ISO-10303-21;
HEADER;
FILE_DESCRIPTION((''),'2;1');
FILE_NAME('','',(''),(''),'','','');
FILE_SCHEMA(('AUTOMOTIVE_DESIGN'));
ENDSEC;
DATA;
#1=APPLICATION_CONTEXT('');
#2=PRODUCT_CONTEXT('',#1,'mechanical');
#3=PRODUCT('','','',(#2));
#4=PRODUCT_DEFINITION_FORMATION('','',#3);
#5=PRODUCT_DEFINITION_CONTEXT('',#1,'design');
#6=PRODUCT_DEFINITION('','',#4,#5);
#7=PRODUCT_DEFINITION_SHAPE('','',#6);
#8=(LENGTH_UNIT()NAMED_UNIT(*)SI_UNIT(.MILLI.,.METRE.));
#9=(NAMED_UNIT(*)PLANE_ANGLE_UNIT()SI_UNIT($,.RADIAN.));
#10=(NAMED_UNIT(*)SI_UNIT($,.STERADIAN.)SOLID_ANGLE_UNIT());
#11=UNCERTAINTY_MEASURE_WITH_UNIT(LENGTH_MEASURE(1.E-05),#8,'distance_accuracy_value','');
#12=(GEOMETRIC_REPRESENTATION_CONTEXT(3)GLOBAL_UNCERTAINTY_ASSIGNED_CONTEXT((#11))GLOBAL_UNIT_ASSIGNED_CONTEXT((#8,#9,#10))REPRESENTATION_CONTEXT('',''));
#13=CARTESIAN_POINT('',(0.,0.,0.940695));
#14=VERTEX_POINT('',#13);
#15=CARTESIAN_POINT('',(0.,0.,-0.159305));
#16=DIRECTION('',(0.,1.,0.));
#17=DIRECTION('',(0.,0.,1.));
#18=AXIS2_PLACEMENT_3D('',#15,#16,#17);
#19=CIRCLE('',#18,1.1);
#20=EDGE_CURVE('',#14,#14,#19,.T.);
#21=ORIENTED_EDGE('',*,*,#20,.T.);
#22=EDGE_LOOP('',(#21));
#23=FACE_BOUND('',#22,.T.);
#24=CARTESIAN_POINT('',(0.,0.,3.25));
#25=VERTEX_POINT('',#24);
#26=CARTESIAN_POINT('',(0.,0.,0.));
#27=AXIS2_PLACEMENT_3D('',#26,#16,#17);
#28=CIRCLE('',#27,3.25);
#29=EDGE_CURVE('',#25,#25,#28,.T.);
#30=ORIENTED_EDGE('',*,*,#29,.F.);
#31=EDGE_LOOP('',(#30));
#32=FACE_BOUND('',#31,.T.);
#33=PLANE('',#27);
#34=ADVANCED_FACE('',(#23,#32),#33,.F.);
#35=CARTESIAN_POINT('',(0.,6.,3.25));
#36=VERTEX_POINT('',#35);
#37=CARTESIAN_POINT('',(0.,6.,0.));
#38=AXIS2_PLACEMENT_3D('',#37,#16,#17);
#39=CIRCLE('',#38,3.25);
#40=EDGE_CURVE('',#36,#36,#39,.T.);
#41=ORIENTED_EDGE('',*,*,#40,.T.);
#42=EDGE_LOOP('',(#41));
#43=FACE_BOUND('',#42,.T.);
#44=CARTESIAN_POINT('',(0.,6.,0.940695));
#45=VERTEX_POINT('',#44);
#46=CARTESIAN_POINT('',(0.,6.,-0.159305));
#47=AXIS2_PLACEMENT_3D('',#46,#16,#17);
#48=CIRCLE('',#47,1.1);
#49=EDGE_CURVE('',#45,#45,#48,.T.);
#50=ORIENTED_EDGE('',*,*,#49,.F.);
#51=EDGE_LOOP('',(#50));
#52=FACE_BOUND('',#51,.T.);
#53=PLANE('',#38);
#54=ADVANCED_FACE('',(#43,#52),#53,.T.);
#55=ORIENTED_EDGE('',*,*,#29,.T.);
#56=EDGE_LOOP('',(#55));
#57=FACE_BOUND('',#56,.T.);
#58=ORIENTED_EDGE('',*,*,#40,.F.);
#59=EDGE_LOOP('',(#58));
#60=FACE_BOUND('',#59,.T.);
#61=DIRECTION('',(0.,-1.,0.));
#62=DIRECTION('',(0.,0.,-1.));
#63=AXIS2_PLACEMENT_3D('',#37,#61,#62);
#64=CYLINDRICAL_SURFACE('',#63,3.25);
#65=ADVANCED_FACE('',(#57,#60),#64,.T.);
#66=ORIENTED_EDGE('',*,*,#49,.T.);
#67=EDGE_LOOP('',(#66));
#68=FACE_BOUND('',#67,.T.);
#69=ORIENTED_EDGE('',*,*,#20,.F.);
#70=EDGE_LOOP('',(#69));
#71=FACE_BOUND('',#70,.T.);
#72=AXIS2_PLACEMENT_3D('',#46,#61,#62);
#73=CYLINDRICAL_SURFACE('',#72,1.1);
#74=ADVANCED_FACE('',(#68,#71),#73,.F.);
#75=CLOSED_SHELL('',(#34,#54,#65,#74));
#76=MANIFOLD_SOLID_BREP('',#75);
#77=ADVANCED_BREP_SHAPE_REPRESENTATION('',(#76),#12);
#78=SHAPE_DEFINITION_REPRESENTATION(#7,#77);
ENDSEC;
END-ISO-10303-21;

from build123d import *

# Parameters (mm, degrees)
ESQUISSE1_R        = 3.25
ESQUISSE1_R_2      = 1.1
BOSS_EXTRU_1_DEPTH = 6


with BuildPart() as part:
    # Esquisse1 → Boss.-Extru.1 (new body)
    with BuildSketch(Plane(origin=(0, 0, 0), x_dir=(1, 0, 0), z_dir=(0, 1, 0))):
        Circle(ESQUISSE1_R)
        with Locations((0, 0.159304864)):
            Circle(ESQUISSE1_R_2, mode=Mode.SUBTRACT)
    extrude(amount=BOSS_EXTRU_1_DEPTH)


solid = part.part
